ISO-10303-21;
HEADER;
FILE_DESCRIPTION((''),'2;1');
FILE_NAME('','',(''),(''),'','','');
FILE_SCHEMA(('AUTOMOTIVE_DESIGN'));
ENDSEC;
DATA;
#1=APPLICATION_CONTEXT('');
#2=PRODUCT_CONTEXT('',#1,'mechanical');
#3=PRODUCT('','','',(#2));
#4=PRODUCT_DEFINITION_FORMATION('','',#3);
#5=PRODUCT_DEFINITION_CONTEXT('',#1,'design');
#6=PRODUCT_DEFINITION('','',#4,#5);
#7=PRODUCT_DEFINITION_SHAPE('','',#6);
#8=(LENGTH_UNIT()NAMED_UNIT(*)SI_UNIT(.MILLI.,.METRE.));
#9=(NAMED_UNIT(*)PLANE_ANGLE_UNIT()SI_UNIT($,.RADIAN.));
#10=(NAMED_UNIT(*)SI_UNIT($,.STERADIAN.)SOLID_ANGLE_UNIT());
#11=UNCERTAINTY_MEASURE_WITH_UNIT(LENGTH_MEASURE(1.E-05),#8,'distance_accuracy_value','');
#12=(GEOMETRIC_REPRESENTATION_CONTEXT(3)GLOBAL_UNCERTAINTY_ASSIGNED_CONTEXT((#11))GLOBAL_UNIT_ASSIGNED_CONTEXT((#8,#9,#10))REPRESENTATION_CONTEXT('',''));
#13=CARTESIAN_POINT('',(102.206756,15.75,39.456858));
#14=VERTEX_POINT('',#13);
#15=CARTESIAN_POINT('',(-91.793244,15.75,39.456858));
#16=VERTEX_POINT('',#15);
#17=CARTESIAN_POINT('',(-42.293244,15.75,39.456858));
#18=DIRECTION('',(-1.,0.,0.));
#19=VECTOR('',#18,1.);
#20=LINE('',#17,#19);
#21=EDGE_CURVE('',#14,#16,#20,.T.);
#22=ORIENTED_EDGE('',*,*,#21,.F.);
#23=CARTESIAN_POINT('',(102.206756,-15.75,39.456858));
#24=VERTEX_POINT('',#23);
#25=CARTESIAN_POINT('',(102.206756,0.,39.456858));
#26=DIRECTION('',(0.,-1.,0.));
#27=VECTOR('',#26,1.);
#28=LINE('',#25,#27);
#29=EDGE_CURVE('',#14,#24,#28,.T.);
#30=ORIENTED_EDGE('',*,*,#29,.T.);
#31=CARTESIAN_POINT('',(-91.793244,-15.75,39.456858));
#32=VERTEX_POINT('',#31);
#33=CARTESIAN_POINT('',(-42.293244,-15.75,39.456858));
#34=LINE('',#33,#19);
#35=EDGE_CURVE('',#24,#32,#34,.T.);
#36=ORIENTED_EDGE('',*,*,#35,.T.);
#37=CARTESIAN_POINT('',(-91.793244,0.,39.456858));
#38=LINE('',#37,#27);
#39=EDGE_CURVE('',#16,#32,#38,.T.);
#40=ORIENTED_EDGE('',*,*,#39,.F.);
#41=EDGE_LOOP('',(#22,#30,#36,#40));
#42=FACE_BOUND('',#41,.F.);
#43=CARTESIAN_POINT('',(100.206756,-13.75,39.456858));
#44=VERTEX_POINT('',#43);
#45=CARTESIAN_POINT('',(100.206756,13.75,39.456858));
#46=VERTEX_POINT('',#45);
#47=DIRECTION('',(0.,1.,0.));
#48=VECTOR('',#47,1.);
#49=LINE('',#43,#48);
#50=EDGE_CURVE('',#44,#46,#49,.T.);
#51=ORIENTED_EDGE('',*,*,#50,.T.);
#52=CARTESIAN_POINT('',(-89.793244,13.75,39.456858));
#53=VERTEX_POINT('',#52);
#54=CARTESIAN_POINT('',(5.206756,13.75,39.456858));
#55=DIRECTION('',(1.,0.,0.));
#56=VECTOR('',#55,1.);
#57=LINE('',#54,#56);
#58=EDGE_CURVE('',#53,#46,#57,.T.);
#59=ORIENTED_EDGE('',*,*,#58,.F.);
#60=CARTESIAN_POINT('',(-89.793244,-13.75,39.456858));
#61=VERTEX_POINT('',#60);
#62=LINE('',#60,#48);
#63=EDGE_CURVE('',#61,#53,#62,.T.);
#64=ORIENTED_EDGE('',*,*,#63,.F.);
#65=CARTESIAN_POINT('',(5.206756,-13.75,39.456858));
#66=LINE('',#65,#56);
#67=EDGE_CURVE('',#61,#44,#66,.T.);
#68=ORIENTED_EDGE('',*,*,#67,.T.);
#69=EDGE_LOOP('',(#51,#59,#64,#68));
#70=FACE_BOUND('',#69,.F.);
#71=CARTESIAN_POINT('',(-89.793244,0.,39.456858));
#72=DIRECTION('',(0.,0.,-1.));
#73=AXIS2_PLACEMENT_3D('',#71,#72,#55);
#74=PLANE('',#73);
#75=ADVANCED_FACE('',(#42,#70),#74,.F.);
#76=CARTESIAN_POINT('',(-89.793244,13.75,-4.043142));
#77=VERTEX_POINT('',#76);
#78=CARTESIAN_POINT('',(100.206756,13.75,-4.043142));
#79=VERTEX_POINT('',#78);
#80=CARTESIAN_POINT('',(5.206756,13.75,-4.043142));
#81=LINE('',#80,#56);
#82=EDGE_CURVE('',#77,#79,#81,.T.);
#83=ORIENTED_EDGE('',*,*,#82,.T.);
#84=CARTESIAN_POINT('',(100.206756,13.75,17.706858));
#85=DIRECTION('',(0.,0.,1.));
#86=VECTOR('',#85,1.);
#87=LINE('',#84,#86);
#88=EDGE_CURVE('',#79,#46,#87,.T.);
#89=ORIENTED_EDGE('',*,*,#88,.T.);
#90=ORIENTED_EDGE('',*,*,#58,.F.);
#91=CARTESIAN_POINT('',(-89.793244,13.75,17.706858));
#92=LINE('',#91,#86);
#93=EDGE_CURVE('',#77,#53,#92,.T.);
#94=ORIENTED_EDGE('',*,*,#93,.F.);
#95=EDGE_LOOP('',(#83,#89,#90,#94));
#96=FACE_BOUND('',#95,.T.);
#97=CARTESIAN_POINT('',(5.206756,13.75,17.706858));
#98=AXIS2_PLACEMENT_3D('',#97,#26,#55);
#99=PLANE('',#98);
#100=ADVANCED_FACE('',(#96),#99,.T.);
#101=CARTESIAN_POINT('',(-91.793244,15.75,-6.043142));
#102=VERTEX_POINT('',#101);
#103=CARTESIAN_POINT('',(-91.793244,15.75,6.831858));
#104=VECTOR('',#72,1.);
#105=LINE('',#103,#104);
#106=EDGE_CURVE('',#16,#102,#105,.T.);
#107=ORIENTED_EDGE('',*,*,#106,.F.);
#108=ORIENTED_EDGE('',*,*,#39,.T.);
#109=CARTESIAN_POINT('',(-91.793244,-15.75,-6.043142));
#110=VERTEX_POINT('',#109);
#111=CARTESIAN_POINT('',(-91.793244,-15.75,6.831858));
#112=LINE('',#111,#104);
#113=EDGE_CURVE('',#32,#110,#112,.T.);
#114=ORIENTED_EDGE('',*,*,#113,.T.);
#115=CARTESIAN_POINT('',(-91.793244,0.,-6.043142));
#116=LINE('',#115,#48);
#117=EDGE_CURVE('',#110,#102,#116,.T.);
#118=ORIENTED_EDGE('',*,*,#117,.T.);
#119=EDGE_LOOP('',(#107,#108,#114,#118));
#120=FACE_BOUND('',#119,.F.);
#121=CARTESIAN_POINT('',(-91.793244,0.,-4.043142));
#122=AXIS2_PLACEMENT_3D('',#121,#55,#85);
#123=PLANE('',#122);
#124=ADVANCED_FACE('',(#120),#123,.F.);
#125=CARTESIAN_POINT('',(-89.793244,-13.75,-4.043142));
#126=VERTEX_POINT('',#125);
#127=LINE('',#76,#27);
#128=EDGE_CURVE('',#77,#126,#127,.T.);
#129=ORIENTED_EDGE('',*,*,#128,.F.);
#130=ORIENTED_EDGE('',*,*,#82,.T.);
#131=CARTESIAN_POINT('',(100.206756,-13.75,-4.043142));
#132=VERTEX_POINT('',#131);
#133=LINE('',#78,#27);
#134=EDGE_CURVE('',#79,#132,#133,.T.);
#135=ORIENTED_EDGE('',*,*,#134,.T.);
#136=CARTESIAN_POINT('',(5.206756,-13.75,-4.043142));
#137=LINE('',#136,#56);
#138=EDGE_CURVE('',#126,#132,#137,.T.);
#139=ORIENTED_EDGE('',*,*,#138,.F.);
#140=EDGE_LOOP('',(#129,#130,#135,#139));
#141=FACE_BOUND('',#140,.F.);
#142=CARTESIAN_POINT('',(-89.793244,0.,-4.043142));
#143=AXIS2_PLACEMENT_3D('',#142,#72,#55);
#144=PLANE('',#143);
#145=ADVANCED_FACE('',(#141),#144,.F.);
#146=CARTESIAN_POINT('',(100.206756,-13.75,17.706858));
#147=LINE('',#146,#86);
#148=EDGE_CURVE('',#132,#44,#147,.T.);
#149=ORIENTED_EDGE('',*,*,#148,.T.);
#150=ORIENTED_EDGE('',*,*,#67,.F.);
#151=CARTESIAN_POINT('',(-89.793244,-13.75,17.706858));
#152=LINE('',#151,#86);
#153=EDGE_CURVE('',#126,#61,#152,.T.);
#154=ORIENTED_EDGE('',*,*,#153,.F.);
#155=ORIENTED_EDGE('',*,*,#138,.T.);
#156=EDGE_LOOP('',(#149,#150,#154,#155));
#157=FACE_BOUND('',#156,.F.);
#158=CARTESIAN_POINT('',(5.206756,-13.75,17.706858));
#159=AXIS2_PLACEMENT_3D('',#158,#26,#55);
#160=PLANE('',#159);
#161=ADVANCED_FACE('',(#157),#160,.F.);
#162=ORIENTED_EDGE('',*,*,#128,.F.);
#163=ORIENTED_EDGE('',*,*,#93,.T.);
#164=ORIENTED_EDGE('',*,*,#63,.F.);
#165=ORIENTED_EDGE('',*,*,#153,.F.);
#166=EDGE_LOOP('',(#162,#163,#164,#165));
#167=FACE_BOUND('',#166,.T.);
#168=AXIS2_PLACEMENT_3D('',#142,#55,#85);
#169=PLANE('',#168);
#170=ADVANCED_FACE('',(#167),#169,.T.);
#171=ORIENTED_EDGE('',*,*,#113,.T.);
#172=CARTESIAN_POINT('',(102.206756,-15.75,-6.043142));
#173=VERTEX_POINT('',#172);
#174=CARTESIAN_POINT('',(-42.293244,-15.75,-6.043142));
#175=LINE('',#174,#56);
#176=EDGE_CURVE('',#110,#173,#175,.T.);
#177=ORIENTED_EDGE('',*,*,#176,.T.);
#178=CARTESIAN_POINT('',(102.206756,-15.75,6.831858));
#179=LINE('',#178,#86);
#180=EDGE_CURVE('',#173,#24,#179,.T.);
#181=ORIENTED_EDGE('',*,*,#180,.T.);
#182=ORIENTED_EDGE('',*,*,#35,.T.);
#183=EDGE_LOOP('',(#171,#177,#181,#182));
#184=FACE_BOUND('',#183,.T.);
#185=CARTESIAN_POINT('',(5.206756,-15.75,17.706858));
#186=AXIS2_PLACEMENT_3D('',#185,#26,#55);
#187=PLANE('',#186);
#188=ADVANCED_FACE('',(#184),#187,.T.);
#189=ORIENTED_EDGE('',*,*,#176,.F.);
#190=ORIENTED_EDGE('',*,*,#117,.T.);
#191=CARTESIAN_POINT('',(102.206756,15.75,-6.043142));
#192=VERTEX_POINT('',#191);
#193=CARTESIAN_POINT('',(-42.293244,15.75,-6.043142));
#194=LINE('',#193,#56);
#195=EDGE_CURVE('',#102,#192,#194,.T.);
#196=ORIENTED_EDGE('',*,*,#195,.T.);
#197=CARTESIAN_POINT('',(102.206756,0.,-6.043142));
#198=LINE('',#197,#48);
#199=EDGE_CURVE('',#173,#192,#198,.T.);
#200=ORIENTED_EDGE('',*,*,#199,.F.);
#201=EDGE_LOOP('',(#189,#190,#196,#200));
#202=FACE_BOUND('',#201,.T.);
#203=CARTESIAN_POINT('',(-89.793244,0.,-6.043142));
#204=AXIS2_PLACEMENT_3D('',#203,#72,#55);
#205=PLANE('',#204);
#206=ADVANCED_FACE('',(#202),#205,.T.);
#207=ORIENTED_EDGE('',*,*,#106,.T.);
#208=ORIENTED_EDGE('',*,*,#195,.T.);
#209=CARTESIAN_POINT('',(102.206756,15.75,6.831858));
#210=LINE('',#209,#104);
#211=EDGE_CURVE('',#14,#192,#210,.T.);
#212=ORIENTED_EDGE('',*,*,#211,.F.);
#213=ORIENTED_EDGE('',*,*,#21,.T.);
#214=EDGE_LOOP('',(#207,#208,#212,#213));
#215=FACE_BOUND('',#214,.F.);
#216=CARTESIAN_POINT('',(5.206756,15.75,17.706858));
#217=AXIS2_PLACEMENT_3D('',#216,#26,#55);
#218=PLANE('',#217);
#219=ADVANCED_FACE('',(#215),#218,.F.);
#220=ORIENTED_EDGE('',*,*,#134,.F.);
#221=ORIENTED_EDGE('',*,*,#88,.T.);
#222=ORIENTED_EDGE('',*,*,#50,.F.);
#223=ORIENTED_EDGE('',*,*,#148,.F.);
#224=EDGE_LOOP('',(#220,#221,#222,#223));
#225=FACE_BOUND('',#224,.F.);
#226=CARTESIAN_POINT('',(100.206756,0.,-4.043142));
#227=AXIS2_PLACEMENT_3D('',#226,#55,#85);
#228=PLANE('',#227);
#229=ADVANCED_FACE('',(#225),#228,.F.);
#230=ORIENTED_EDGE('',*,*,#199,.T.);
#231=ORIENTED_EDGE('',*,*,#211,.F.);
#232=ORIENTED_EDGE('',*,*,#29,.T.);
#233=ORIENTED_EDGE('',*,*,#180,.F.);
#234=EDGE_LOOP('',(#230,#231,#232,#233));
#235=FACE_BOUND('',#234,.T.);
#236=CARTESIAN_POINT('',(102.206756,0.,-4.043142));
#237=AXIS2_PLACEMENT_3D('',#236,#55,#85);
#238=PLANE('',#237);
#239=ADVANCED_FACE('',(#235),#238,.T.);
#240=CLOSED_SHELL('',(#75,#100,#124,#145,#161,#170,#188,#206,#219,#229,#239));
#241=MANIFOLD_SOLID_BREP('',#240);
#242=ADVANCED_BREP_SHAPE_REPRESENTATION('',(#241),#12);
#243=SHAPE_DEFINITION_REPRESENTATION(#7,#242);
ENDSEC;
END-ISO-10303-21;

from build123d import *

# Parameters (mm, degrees)
F0_W     = 190
F0_H     = 43.5
F1_DEPTH = 13.75
F2_T     = 2


with BuildPart() as f1:
    # F0 (on Front) → F1 (new body, symmetric)
    with BuildSketch(Plane.XZ):
        with Locations((5.2067562938, 17.7068578831)):
            Rectangle(F0_W, F0_H)
    extrude(amount=F1_DEPTH, both=True)

    # F2
    f2_openings = [f1.faces().sort_by_distance(p)[0] for p in [
        (5.206756, 0, 39.456858),
    ]]
    offset(amount=F2_T, openings=f2_openings, kind=Kind.INTERSECTION)


solid = f1.part
